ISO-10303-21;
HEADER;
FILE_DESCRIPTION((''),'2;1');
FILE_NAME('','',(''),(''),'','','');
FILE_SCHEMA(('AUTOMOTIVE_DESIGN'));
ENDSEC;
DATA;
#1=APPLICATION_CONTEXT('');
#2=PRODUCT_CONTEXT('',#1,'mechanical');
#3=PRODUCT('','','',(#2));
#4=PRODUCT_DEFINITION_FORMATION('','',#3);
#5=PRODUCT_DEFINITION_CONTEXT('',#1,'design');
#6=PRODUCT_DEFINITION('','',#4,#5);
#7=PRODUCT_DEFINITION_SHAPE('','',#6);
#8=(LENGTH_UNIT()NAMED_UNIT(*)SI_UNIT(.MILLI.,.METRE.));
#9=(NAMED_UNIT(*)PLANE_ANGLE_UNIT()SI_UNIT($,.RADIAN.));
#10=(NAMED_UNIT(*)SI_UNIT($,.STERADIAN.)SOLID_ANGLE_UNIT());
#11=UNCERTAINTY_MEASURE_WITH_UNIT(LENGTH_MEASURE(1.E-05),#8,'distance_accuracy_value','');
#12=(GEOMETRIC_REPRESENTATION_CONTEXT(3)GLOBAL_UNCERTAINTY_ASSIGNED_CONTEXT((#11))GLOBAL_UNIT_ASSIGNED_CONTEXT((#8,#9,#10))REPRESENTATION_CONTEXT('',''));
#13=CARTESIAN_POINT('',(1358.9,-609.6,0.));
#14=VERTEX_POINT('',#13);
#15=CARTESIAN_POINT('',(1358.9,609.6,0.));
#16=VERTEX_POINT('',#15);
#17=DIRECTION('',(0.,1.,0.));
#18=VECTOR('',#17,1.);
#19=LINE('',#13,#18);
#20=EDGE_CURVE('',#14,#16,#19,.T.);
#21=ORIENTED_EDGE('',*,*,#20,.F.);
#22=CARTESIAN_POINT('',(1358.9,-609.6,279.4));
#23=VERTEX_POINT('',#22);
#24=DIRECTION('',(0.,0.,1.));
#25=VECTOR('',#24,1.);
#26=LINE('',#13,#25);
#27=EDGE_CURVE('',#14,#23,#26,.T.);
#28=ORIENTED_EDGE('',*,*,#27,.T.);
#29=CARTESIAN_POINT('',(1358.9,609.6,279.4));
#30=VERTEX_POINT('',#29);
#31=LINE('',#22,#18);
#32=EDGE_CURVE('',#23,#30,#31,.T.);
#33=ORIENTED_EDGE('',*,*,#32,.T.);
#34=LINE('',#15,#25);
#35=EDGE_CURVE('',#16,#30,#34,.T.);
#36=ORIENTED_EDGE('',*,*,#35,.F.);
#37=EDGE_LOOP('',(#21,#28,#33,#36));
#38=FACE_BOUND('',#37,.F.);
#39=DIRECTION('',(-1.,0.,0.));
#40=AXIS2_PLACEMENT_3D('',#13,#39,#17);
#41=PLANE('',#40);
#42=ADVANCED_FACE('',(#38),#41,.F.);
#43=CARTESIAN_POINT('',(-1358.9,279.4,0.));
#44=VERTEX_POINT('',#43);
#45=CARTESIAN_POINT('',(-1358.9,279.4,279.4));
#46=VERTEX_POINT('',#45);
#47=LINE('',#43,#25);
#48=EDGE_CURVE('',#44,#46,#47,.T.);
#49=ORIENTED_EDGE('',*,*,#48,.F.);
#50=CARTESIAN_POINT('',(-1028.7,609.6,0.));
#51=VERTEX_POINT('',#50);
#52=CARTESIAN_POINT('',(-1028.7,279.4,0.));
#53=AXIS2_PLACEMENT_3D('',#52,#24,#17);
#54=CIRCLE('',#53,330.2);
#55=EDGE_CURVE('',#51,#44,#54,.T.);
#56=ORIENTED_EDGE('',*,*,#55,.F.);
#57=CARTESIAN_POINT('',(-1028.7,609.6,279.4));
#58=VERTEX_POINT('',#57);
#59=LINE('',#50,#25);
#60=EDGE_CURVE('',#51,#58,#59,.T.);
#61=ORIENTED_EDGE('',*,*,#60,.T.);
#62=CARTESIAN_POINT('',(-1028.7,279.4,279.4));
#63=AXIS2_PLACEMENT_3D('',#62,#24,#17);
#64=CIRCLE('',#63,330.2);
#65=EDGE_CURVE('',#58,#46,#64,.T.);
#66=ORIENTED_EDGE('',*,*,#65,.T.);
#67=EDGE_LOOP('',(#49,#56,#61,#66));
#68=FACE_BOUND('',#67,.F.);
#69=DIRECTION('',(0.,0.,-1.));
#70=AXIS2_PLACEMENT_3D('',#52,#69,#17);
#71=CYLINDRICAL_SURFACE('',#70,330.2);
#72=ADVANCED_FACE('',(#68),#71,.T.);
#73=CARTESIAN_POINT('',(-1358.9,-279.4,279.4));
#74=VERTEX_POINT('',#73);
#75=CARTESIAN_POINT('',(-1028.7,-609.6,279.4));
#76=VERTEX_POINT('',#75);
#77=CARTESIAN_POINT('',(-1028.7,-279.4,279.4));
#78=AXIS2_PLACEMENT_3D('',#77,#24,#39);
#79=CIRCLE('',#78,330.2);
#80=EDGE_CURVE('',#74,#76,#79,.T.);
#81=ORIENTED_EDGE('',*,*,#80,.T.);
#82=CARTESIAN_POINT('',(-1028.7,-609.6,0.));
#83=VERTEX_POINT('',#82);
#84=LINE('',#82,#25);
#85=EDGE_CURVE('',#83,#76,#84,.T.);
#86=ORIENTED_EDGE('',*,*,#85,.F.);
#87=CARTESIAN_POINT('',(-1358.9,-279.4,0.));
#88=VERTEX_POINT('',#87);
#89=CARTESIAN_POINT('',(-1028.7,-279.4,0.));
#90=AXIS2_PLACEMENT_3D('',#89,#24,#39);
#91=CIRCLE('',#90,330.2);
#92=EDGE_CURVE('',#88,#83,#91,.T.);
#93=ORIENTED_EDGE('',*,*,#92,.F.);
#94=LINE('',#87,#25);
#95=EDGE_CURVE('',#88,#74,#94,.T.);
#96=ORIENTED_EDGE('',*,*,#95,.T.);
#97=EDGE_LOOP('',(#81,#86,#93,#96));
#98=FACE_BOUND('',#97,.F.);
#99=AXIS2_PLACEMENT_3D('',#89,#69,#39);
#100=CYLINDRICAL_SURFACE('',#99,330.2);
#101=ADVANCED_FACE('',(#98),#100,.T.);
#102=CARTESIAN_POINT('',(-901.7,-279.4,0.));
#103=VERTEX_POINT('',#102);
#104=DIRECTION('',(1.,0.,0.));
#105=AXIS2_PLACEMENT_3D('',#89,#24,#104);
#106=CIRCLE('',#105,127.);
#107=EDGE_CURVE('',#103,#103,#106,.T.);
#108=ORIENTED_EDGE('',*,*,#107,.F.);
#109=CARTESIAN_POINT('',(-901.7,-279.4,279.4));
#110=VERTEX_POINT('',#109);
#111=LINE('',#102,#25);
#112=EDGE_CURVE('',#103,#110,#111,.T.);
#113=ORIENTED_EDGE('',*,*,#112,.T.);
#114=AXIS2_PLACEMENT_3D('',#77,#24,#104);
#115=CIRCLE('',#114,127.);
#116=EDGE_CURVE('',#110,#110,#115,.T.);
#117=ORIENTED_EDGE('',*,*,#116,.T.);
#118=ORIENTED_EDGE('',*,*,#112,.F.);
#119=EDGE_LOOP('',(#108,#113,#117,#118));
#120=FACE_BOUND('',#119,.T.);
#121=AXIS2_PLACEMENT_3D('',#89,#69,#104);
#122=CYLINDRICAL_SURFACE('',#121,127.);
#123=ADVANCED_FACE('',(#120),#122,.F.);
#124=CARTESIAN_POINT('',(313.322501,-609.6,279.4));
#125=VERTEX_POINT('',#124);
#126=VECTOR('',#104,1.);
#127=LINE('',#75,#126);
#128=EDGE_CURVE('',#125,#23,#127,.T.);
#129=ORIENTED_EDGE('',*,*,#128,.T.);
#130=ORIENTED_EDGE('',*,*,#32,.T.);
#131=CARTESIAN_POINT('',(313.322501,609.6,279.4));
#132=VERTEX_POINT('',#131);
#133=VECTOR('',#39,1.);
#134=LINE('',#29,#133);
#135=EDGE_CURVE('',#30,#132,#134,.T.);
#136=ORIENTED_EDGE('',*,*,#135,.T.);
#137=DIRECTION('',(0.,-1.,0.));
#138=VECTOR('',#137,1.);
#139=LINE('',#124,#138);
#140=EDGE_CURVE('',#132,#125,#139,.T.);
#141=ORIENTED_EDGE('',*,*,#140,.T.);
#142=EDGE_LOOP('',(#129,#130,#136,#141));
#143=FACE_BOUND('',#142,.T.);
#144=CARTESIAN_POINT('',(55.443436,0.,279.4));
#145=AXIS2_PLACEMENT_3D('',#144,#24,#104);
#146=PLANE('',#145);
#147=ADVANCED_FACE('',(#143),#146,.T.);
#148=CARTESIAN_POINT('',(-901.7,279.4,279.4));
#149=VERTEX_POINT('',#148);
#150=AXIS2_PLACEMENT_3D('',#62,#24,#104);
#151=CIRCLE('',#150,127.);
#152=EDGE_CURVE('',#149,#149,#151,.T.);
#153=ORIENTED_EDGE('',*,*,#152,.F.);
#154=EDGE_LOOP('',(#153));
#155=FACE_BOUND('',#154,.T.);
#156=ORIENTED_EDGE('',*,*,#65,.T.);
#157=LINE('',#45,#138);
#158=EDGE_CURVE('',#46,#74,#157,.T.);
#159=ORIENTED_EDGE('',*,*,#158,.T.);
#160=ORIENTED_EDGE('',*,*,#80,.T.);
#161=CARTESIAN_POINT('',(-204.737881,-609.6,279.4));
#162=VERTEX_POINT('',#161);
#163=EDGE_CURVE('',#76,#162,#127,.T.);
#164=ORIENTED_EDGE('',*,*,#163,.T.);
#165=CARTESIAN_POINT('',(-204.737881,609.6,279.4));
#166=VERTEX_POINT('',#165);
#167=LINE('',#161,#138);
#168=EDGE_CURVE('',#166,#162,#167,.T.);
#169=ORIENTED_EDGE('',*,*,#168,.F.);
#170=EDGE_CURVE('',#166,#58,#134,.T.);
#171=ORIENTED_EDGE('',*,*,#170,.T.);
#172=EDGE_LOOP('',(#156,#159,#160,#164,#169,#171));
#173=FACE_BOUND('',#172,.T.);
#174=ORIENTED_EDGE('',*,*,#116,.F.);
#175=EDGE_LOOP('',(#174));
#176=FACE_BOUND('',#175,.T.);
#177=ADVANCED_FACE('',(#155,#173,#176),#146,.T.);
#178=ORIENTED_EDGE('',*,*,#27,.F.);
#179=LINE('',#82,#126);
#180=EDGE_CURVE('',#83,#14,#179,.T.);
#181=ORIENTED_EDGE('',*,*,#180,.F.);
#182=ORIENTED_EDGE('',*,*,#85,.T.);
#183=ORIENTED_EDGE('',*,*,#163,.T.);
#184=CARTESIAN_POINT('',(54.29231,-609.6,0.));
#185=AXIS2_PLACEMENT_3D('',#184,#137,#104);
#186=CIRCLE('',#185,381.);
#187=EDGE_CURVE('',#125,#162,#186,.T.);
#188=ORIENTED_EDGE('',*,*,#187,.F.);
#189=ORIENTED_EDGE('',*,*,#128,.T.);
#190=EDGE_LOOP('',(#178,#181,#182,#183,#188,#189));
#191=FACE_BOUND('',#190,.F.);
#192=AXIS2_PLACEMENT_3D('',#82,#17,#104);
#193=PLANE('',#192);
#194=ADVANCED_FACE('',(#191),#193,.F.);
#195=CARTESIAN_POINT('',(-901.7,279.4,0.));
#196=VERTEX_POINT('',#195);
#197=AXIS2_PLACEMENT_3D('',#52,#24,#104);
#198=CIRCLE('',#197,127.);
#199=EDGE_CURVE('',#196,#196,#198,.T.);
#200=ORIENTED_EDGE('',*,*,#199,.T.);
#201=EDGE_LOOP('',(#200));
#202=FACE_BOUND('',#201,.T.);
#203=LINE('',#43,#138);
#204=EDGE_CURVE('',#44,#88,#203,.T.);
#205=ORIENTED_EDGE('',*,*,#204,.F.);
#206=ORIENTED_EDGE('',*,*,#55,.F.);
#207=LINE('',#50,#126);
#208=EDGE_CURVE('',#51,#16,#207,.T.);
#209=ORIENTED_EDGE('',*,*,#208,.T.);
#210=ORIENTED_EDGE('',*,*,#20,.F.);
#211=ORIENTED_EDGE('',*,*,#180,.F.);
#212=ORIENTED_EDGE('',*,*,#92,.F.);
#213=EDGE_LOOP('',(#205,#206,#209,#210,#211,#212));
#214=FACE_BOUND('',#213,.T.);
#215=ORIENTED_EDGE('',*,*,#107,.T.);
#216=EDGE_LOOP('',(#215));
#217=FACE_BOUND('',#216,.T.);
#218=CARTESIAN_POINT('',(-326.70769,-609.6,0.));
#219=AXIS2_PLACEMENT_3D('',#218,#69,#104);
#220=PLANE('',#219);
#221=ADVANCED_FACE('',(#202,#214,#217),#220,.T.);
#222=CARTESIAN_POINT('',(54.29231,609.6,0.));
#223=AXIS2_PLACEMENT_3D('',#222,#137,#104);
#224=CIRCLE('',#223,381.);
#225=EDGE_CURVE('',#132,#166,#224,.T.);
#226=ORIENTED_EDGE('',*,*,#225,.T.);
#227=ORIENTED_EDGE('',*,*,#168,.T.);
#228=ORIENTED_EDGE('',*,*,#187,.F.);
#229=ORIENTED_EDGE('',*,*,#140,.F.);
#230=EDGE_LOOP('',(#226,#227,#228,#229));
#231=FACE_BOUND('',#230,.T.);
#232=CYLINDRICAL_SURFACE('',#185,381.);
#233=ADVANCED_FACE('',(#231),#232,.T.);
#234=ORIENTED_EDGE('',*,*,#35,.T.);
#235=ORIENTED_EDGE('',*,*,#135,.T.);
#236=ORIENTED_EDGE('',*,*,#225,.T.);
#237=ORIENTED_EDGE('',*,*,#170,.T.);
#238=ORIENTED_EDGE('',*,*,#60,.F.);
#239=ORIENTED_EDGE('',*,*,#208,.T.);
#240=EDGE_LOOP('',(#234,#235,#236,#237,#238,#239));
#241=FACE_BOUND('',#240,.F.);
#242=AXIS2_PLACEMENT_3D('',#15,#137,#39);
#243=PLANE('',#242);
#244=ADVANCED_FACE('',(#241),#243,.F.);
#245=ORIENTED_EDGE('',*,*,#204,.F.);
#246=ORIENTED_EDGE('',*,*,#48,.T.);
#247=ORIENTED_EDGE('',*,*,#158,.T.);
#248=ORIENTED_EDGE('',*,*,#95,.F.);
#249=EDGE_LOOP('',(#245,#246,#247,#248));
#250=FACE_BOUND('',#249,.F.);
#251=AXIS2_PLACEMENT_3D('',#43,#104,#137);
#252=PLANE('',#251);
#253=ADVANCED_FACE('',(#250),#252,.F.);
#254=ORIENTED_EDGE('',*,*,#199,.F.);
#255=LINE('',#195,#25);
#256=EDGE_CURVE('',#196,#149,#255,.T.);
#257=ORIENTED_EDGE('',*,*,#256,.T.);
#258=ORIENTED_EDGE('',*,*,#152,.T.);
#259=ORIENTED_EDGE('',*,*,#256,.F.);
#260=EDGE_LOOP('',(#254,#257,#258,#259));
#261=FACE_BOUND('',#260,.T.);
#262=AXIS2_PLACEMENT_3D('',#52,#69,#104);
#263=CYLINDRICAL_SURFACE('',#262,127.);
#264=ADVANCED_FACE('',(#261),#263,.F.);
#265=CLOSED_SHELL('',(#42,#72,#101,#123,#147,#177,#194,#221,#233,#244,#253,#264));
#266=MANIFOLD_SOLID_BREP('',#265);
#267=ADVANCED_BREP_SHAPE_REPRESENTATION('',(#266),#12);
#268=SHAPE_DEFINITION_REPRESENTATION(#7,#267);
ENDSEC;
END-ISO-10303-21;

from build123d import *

# Parameters (mm, degrees)
F0_R     = 127
F1_DEPTH = 279.4
F3_DEPTH = 1219.2


with BuildPart() as f1:
    # F0 (on Top) → F1 (new body)
    with BuildSketch(Plane.XY):
        with BuildLine():
            ThreePointArc((-1358.9, -279.4), (-1262.1866591478, -512.8866591478), (-1028.7, -609.6))
            Line((-1028.7, -609.6), (1358.9, -609.6))
            Line((1358.9, -609.6), (1358.9, 609.6))
            Line((1358.9, 609.6), (-1028.7, 609.6))
            ThreePointArc((-1028.7, 609.6), (-1262.1866591478, 512.8866591478), (-1358.9, 279.4))
            Line((-1358.9, 279.4), (-1358.9, -279.4))
        make_face()
        with Locations((-1028.7, -279.4)):
            Circle(F0_R, mode=Mode.SUBTRACT)
        with Locations((-1028.7, 279.4)):
            Circle(F0_R, mode=Mode.SUBTRACT)
    extrude(amount=F1_DEPTH)

    # F2 (on face) → F3 (join)
    with BuildSketch(Plane.XZ.offset(609.6)):
        with BuildLine():
            Line((-204.7378812613, 279.4), (313.3225013198, 279.4))
            ThreePointArc((313.3225013198, 279.4), (54.2923100293, 381), (-204.7378812613, 279.4))
        make_face()
        with BuildLine():
            ThreePointArc((-187.0076899707, 0), (54.2923100293, 241.3), (295.5923100293, 0))
            Line((295.5923100293, 0), (435.2923100293, 0))
            ThreePointArc((435.2923100293, 0), (403.4709912812, 152.4311272646), (313.3225013198, 279.4))
            Line((313.3225013198, 279.4), (-204.7378812613, 279.4))
            ThreePointArc((-204.7378812613, 279.4), (-294.8863712227, 152.4311272646), (-326.7076899707, 0))
            Line((-326.7076899707, 0), (-187.0076899707, 0))
        make_face()
    extrude(amount=-F3_DEPTH)


solid = f1.part
